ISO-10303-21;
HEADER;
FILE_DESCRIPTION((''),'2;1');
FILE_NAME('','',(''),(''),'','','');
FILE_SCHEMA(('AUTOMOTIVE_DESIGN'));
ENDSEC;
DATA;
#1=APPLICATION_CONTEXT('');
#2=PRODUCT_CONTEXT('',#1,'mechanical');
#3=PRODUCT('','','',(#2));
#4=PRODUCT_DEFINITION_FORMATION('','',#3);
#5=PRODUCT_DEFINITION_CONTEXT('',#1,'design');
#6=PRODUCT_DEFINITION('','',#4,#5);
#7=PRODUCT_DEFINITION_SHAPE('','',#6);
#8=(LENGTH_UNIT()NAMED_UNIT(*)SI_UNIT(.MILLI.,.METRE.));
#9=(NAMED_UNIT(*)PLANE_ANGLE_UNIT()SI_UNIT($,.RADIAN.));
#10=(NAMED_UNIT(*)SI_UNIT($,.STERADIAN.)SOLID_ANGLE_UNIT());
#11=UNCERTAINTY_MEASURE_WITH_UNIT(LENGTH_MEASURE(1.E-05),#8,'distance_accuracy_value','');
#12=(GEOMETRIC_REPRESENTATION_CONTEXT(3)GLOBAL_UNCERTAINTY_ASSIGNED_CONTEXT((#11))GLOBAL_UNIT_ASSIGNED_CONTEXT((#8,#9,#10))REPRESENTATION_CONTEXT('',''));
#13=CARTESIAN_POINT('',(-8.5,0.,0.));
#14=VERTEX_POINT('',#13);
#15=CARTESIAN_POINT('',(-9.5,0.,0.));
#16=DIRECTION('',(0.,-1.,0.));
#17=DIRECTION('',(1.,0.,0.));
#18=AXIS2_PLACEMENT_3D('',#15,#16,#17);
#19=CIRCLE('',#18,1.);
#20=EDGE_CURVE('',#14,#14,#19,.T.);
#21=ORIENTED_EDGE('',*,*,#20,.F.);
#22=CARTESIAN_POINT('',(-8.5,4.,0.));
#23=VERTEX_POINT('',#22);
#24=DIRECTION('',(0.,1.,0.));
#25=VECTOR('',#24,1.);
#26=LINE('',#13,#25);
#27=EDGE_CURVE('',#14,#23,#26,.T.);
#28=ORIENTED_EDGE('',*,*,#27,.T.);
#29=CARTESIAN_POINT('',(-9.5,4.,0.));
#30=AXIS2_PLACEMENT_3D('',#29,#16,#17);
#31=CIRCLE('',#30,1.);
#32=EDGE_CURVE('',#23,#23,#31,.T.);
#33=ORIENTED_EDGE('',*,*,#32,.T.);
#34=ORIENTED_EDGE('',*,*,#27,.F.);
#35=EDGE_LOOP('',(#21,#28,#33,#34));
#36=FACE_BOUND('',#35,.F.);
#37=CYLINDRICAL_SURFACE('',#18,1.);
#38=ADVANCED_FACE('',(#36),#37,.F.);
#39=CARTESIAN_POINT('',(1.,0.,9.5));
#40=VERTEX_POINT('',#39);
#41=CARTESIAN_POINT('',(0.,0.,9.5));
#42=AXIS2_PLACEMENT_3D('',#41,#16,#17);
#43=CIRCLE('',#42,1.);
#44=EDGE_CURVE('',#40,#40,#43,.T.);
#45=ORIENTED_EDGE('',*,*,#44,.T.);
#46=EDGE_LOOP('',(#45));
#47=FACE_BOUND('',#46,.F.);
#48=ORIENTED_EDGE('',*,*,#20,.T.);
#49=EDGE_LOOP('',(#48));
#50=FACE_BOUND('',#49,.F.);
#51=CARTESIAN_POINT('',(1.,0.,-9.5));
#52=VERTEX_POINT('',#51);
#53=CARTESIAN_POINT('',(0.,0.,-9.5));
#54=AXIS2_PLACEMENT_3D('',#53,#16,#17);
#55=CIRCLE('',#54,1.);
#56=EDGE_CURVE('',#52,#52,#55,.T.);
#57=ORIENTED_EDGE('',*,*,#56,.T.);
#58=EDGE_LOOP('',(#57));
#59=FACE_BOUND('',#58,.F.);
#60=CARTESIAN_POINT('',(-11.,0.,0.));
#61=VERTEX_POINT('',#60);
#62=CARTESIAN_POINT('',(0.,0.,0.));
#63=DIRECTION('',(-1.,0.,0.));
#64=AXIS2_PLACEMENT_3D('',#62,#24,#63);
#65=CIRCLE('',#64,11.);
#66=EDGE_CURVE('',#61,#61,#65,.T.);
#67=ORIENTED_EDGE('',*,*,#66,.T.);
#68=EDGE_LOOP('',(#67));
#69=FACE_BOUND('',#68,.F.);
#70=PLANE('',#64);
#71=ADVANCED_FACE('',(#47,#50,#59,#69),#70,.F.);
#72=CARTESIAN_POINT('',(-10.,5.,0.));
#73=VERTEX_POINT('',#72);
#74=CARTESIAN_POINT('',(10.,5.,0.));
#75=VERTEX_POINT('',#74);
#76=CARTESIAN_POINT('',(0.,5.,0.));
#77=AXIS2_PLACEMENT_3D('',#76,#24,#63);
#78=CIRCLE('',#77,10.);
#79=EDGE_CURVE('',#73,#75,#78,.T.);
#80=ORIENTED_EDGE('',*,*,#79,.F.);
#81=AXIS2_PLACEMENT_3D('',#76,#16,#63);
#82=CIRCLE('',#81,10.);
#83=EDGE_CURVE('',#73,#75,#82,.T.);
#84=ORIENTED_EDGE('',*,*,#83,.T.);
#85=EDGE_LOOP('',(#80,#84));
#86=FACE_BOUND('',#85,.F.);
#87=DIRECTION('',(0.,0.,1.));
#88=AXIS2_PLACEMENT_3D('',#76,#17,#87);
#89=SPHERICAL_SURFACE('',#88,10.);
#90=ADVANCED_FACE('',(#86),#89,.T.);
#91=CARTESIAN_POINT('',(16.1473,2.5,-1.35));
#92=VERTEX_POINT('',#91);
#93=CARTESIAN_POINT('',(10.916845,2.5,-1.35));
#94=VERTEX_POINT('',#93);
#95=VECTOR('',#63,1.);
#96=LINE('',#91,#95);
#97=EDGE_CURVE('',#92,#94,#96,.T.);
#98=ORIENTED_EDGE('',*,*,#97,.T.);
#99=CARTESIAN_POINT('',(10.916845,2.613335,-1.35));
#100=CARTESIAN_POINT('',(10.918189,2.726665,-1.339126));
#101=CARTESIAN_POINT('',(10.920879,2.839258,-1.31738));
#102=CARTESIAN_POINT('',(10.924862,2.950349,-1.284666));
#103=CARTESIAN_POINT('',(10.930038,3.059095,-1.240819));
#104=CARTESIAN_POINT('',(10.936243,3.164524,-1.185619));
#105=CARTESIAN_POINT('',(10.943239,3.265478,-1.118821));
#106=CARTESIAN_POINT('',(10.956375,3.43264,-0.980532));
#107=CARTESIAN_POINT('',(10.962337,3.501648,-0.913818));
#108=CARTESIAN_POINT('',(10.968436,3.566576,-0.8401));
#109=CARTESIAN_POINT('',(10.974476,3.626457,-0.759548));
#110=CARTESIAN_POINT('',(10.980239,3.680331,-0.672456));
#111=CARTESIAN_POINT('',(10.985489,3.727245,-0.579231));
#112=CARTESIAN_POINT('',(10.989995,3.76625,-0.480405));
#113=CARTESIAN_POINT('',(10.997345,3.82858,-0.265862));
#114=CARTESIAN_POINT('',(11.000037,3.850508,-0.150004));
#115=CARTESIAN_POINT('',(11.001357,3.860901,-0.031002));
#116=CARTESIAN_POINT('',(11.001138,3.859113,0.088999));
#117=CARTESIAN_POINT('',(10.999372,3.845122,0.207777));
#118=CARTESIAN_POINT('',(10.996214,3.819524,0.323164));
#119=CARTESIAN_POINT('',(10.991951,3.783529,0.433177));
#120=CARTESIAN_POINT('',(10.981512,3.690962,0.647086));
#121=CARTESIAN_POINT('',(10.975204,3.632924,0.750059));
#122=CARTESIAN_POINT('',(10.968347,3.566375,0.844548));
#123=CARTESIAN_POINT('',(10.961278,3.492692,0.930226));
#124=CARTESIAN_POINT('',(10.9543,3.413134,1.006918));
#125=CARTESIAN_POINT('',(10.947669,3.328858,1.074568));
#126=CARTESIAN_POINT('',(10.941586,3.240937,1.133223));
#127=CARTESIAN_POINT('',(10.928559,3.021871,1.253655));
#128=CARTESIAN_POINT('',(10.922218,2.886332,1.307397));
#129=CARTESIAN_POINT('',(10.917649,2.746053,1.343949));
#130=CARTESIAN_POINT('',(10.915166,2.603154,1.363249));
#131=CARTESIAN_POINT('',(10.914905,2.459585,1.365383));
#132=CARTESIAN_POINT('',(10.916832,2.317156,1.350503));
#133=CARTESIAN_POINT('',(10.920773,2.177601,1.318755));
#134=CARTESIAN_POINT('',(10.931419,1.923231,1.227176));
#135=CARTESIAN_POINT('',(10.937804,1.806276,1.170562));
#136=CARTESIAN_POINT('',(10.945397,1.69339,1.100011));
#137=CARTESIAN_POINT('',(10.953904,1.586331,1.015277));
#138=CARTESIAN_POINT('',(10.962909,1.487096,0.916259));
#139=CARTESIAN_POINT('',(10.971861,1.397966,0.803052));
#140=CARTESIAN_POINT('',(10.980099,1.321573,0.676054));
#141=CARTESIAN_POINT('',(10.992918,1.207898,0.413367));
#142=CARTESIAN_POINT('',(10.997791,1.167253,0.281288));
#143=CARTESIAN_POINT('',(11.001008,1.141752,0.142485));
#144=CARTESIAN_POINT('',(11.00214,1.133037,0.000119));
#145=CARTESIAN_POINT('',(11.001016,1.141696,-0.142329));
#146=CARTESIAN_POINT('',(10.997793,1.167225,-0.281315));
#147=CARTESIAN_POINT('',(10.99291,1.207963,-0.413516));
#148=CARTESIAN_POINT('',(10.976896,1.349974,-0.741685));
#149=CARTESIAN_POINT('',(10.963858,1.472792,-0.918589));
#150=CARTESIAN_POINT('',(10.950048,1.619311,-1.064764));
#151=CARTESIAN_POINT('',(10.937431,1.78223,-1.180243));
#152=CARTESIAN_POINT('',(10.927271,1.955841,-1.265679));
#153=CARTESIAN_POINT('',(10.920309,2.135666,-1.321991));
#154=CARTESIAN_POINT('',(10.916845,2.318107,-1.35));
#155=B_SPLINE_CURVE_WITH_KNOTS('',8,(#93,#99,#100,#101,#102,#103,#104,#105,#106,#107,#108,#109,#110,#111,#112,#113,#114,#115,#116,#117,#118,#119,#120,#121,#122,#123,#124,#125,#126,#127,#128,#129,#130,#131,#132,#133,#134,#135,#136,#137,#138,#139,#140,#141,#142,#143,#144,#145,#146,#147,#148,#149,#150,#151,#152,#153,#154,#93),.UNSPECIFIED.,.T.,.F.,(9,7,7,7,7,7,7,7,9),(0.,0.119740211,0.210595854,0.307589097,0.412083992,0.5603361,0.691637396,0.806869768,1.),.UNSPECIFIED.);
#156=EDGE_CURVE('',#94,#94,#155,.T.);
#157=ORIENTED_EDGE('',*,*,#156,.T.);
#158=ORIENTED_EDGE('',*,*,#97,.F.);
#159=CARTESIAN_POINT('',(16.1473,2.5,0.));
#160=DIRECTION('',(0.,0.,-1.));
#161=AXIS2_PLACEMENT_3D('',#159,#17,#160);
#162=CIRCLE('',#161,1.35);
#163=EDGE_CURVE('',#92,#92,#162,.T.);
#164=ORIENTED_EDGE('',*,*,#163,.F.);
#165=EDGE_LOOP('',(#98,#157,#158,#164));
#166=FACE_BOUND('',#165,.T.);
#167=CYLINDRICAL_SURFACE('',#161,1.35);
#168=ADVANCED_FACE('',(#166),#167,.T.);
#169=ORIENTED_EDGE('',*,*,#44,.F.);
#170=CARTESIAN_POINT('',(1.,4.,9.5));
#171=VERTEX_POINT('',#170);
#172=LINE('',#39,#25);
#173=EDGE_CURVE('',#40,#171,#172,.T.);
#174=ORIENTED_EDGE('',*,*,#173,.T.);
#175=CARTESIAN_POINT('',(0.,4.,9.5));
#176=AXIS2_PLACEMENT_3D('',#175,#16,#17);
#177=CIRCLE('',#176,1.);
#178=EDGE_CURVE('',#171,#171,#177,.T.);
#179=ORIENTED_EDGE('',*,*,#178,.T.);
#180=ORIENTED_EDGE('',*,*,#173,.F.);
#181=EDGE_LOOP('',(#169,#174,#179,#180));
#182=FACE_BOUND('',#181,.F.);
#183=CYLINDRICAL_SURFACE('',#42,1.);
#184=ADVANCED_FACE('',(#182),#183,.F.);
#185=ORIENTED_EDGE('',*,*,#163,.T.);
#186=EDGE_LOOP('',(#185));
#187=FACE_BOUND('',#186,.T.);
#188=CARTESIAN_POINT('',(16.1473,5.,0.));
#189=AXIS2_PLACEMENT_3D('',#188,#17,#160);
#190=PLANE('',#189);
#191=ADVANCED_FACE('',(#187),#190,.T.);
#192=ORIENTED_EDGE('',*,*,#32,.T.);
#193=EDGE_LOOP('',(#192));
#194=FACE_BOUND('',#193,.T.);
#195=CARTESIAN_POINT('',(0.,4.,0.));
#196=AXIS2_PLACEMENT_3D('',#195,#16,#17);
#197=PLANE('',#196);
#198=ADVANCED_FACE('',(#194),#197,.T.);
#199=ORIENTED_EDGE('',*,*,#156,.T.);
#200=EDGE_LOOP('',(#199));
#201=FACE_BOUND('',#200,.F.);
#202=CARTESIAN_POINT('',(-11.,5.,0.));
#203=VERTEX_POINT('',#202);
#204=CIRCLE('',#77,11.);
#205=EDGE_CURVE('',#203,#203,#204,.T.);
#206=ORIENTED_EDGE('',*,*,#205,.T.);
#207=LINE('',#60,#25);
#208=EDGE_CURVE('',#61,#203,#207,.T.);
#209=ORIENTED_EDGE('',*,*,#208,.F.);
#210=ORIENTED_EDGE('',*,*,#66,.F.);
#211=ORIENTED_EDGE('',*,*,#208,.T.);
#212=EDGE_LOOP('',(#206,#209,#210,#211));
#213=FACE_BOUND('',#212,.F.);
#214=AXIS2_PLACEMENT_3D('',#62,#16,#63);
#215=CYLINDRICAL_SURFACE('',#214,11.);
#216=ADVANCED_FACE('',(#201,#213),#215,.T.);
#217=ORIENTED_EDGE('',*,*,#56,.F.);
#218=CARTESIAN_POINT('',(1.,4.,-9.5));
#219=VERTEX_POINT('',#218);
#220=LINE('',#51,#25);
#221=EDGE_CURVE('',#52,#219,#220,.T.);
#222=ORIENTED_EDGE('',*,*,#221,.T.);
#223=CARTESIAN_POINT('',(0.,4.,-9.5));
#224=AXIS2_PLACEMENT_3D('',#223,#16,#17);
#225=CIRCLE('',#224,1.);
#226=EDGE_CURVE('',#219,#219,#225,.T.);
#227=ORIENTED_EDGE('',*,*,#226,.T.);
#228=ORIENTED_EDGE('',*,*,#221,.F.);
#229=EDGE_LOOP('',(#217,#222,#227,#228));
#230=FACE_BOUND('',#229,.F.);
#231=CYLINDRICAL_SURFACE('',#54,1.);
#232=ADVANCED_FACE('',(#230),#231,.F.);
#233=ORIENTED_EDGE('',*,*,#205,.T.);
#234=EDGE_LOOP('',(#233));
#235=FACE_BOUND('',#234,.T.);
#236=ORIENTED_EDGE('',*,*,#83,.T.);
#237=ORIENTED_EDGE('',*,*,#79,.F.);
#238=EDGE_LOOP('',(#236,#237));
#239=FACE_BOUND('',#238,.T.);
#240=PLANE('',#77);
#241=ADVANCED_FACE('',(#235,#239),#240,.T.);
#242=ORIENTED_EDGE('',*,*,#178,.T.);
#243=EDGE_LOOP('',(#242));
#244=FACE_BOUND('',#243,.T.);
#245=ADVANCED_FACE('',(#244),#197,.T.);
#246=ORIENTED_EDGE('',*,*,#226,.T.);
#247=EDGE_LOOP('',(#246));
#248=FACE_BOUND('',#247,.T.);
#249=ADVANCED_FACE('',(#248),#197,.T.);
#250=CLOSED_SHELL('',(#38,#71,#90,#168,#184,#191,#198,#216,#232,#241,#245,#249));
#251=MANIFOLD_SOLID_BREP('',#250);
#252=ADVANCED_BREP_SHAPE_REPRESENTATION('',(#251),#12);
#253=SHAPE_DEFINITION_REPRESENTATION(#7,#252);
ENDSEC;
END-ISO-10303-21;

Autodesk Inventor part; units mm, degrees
ref_plane "YZ Plane" through (0, 0, 0) normal (1, 0, 0) x (0, 1, 0)
ref_plane "XZ Plane" through (0, 0, 0) normal (0, 1, 0) x (-1, 0, 0)
ref_plane "XY Plane" through (0, 0, 0) normal (0, 0, 1) x (1, 0, 0)
sketch "Esquisse1" plane through (0, 0, 0) normal (0, 1, 0) x (-1, 0, 0)
  circle A0 centre (0, 0) radius 11
  dimension "d1" = 22
extrude "Extrusion1" add sketch "Esquisse1" along normal blind 5
sketch "Esquisse2" plane through (0, 5, 0) normal (0, 1, 0) x (1, 0, 0)
  arc A0 (-10, 0) -> (10, 0) centre (0, 0) ccw
  line L0 (-10, 0) -> (10, 0)
  dimension "d4" = 20
revolve "Révolution1" add sketch "Esquisse2" angle 180 about axis through (-10, 5, 0) along (-1, 0, 0)
ref_plane "Plan de construction1" through (16.1473, 5, 0) normal (1, 0, 0) x (0, 0, -1)
sketch "Esquisse6" plane through (16.1473, 5, 0) normal (1, 0, 0) x (0, 0, -1)
  circle A0 centre (0, -2.5) radius 1.35
  point P0 (0, -5)
  point P1 (0, -1.15)
  dimension "d11" = 2.7
extrude "Extrusion4" add sketch "Esquisse6" against normal blind 5.25
sketch "Esquisse7" plane through (0, 0, 0) normal (0, -1, 0) x (1, 0, 0)
  circle A0 centre (0, 9.5) radius 1
  circle A1 centre (0, -9.5) radius 1
  circle A2 centre (-9.5, 0) radius 1
  point P0 (0, 0)
  dimension "d15" = 2
  dimension "d16" = 2
  dimension "d17" = 2
extrude "Extrusion5" cut sketch "Esquisse7" against normal blind 4
properties part number "Capteur optoforce"
